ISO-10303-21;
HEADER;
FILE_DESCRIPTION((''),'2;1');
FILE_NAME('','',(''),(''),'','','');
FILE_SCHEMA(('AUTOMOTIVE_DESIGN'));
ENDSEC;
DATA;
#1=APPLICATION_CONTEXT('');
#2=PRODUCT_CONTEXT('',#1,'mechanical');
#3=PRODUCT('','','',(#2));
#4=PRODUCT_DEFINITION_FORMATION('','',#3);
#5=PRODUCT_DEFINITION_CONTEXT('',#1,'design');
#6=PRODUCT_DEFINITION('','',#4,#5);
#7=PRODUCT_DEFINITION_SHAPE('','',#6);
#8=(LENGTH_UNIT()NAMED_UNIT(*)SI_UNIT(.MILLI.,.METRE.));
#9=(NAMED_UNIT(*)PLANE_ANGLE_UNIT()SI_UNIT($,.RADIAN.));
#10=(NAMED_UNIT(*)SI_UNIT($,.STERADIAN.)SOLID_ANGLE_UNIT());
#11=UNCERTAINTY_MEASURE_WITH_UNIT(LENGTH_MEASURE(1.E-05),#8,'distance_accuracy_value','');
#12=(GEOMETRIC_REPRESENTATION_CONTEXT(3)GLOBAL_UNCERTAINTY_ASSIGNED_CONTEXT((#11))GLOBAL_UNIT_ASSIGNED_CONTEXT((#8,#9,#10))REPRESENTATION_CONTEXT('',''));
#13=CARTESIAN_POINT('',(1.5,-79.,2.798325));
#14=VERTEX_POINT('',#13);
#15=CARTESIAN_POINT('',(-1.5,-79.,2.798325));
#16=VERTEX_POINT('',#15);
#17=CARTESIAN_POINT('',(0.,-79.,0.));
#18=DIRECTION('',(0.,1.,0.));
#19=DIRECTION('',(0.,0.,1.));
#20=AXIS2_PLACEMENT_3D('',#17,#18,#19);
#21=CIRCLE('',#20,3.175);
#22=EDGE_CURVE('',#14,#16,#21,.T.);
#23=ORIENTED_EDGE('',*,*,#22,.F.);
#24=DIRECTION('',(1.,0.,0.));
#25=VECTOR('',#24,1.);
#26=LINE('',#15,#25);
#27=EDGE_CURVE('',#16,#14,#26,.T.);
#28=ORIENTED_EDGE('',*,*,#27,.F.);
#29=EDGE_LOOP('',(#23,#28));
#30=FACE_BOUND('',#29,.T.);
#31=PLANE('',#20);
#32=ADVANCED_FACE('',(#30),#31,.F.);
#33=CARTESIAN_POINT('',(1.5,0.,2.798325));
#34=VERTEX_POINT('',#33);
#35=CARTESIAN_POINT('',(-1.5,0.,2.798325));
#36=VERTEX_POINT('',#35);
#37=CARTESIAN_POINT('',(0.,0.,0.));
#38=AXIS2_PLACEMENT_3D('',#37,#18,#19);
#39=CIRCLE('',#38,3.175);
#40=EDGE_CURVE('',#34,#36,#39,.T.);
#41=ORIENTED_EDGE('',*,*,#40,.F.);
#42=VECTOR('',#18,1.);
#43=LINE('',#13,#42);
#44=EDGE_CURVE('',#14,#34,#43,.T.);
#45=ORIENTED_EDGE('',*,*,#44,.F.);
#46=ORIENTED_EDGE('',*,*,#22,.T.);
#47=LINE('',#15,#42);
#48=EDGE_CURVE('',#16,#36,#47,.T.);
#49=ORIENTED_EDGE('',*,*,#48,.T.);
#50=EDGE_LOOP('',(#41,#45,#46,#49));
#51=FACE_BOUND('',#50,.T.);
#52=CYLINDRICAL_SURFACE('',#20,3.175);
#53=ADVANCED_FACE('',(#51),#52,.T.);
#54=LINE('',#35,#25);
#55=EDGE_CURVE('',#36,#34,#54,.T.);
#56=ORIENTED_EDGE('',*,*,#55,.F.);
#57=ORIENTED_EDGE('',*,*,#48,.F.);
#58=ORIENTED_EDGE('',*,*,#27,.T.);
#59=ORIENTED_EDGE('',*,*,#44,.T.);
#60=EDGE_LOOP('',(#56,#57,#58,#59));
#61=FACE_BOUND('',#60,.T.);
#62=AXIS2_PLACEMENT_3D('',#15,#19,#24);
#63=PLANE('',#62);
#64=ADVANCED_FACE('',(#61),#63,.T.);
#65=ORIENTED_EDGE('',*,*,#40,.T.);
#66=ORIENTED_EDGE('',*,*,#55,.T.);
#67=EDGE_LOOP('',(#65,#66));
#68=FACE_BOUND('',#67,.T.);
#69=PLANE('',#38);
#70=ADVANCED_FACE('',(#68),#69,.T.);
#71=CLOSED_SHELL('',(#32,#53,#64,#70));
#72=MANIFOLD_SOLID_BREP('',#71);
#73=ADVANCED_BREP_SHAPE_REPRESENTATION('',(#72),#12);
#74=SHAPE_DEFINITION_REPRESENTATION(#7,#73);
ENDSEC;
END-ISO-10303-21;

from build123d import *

# Parameters (mm, degrees)
BOSS_EXTRUDE1_DEPTH = 79


with BuildPart() as part:
    # Sketch1 → Boss-Extrude1 (new body)
    with BuildSketch(Plane(origin=(0, 0, 0), x_dir=(1, 0, 0), z_dir=(0, 1, 0))):
        with BuildLine():
            Line((-1.5, -2.798325392), (1.5, -2.798325392))
            ThreePointArc((1.5, -2.798325392), (0, 3.175), (-1.5, -2.798325392))
        make_face()
    extrude(amount=-BOSS_EXTRUDE1_DEPTH)


solid = part.part
